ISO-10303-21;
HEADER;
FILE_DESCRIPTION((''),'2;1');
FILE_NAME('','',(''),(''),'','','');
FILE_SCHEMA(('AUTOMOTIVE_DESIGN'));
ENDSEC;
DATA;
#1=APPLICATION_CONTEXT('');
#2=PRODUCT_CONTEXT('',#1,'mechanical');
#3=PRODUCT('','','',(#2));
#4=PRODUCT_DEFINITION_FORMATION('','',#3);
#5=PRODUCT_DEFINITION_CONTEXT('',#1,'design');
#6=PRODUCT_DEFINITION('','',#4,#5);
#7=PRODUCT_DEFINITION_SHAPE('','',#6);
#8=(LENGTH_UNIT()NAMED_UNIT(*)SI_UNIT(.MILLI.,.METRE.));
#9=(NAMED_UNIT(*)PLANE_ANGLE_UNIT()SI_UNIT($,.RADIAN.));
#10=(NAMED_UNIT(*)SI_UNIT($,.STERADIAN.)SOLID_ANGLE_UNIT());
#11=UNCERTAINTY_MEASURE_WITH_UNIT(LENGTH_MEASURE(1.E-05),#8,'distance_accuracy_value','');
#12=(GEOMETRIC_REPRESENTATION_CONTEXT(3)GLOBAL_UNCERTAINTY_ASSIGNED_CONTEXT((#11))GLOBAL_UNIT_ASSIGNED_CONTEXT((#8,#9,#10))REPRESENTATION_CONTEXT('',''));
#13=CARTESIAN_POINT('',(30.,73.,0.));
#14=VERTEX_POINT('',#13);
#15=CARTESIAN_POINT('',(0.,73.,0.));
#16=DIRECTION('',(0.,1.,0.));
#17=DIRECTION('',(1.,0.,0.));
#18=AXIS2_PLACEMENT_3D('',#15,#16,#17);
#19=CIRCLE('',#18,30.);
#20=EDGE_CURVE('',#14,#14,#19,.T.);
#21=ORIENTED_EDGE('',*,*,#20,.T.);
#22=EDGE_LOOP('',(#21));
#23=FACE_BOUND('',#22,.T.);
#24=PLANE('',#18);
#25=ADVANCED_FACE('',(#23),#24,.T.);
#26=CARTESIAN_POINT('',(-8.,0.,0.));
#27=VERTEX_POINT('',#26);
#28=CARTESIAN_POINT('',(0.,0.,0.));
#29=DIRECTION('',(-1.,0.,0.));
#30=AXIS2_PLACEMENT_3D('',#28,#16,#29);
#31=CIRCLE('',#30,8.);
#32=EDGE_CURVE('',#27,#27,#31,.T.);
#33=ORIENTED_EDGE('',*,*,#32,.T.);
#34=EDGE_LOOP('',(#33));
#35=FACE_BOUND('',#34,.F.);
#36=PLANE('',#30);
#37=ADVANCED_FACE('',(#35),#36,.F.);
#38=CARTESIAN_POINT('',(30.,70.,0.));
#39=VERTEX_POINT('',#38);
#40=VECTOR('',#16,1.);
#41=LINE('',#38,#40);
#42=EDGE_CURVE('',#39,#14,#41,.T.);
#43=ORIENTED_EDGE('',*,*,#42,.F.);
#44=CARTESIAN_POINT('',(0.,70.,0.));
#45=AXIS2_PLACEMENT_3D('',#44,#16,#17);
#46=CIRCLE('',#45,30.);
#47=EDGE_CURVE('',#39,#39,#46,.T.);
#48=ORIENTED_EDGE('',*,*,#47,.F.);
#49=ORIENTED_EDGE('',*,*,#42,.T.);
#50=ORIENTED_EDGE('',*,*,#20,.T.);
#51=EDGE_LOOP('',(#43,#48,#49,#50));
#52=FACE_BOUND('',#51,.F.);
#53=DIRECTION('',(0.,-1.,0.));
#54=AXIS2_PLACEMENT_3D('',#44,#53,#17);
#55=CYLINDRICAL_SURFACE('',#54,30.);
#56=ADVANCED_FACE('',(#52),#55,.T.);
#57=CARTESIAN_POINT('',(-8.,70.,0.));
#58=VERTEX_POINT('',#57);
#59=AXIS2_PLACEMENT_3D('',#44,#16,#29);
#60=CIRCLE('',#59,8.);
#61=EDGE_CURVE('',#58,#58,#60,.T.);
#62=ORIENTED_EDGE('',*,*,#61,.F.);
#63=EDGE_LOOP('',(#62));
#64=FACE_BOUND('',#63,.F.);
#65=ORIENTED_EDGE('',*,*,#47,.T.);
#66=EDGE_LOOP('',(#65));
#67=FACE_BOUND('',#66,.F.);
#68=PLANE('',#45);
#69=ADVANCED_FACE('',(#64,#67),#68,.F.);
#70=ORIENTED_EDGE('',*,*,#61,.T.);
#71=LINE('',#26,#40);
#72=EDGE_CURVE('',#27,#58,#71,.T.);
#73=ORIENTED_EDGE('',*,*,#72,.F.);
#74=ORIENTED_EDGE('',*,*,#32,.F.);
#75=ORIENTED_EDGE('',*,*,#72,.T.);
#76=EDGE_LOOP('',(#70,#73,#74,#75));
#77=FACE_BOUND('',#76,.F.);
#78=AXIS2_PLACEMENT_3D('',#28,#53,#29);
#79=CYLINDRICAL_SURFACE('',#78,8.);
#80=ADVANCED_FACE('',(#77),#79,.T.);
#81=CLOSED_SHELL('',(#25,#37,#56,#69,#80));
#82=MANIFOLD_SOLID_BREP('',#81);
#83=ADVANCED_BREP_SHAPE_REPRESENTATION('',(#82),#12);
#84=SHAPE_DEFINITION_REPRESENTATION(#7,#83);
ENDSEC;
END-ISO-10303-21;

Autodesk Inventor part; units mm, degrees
ref_plane "YZ Plane" through (0, 0, 0) normal (1, 0, 0) x (0, 1, 0)
ref_plane "XZ Plane" through (0, 0, 0) normal (0, 1, 0) x (-1, 0, 0)
ref_plane "XY Plane" through (0, 0, 0) normal (0, 0, 1) x (1, 0, 0)
sketch "スケッチ1" plane through (0, 0, 0) normal (0, 1, 0) x (-1, 0, 0)
  circle A0 centre (0, 0) radius 8
  dimension "d0" = 16
extrude "押し出し1" add sketch "スケッチ1" along normal blind 70
sketch "スケッチ2" plane through (0, 70, 0) normal (0, 1, 0) x (1, 0, 0)
  circle A0 centre (0, 0) radius 8 projected
sketch "スケッチ3" plane through (0, 70, 0) normal (0, 1, 0) x (1, 0, 0)
  circle A0 centre (0, 0) radius 8 projected
  circle A1 centre (0, 0) radius 30
  dimension "d3" = 60
extrude "押し出し2" add sketch "スケッチ3" along normal blind 3
extrude "押し出し3" add sketch "スケッチ2" along normal blind 3
properties part number "知能ロボコン大砲４"
